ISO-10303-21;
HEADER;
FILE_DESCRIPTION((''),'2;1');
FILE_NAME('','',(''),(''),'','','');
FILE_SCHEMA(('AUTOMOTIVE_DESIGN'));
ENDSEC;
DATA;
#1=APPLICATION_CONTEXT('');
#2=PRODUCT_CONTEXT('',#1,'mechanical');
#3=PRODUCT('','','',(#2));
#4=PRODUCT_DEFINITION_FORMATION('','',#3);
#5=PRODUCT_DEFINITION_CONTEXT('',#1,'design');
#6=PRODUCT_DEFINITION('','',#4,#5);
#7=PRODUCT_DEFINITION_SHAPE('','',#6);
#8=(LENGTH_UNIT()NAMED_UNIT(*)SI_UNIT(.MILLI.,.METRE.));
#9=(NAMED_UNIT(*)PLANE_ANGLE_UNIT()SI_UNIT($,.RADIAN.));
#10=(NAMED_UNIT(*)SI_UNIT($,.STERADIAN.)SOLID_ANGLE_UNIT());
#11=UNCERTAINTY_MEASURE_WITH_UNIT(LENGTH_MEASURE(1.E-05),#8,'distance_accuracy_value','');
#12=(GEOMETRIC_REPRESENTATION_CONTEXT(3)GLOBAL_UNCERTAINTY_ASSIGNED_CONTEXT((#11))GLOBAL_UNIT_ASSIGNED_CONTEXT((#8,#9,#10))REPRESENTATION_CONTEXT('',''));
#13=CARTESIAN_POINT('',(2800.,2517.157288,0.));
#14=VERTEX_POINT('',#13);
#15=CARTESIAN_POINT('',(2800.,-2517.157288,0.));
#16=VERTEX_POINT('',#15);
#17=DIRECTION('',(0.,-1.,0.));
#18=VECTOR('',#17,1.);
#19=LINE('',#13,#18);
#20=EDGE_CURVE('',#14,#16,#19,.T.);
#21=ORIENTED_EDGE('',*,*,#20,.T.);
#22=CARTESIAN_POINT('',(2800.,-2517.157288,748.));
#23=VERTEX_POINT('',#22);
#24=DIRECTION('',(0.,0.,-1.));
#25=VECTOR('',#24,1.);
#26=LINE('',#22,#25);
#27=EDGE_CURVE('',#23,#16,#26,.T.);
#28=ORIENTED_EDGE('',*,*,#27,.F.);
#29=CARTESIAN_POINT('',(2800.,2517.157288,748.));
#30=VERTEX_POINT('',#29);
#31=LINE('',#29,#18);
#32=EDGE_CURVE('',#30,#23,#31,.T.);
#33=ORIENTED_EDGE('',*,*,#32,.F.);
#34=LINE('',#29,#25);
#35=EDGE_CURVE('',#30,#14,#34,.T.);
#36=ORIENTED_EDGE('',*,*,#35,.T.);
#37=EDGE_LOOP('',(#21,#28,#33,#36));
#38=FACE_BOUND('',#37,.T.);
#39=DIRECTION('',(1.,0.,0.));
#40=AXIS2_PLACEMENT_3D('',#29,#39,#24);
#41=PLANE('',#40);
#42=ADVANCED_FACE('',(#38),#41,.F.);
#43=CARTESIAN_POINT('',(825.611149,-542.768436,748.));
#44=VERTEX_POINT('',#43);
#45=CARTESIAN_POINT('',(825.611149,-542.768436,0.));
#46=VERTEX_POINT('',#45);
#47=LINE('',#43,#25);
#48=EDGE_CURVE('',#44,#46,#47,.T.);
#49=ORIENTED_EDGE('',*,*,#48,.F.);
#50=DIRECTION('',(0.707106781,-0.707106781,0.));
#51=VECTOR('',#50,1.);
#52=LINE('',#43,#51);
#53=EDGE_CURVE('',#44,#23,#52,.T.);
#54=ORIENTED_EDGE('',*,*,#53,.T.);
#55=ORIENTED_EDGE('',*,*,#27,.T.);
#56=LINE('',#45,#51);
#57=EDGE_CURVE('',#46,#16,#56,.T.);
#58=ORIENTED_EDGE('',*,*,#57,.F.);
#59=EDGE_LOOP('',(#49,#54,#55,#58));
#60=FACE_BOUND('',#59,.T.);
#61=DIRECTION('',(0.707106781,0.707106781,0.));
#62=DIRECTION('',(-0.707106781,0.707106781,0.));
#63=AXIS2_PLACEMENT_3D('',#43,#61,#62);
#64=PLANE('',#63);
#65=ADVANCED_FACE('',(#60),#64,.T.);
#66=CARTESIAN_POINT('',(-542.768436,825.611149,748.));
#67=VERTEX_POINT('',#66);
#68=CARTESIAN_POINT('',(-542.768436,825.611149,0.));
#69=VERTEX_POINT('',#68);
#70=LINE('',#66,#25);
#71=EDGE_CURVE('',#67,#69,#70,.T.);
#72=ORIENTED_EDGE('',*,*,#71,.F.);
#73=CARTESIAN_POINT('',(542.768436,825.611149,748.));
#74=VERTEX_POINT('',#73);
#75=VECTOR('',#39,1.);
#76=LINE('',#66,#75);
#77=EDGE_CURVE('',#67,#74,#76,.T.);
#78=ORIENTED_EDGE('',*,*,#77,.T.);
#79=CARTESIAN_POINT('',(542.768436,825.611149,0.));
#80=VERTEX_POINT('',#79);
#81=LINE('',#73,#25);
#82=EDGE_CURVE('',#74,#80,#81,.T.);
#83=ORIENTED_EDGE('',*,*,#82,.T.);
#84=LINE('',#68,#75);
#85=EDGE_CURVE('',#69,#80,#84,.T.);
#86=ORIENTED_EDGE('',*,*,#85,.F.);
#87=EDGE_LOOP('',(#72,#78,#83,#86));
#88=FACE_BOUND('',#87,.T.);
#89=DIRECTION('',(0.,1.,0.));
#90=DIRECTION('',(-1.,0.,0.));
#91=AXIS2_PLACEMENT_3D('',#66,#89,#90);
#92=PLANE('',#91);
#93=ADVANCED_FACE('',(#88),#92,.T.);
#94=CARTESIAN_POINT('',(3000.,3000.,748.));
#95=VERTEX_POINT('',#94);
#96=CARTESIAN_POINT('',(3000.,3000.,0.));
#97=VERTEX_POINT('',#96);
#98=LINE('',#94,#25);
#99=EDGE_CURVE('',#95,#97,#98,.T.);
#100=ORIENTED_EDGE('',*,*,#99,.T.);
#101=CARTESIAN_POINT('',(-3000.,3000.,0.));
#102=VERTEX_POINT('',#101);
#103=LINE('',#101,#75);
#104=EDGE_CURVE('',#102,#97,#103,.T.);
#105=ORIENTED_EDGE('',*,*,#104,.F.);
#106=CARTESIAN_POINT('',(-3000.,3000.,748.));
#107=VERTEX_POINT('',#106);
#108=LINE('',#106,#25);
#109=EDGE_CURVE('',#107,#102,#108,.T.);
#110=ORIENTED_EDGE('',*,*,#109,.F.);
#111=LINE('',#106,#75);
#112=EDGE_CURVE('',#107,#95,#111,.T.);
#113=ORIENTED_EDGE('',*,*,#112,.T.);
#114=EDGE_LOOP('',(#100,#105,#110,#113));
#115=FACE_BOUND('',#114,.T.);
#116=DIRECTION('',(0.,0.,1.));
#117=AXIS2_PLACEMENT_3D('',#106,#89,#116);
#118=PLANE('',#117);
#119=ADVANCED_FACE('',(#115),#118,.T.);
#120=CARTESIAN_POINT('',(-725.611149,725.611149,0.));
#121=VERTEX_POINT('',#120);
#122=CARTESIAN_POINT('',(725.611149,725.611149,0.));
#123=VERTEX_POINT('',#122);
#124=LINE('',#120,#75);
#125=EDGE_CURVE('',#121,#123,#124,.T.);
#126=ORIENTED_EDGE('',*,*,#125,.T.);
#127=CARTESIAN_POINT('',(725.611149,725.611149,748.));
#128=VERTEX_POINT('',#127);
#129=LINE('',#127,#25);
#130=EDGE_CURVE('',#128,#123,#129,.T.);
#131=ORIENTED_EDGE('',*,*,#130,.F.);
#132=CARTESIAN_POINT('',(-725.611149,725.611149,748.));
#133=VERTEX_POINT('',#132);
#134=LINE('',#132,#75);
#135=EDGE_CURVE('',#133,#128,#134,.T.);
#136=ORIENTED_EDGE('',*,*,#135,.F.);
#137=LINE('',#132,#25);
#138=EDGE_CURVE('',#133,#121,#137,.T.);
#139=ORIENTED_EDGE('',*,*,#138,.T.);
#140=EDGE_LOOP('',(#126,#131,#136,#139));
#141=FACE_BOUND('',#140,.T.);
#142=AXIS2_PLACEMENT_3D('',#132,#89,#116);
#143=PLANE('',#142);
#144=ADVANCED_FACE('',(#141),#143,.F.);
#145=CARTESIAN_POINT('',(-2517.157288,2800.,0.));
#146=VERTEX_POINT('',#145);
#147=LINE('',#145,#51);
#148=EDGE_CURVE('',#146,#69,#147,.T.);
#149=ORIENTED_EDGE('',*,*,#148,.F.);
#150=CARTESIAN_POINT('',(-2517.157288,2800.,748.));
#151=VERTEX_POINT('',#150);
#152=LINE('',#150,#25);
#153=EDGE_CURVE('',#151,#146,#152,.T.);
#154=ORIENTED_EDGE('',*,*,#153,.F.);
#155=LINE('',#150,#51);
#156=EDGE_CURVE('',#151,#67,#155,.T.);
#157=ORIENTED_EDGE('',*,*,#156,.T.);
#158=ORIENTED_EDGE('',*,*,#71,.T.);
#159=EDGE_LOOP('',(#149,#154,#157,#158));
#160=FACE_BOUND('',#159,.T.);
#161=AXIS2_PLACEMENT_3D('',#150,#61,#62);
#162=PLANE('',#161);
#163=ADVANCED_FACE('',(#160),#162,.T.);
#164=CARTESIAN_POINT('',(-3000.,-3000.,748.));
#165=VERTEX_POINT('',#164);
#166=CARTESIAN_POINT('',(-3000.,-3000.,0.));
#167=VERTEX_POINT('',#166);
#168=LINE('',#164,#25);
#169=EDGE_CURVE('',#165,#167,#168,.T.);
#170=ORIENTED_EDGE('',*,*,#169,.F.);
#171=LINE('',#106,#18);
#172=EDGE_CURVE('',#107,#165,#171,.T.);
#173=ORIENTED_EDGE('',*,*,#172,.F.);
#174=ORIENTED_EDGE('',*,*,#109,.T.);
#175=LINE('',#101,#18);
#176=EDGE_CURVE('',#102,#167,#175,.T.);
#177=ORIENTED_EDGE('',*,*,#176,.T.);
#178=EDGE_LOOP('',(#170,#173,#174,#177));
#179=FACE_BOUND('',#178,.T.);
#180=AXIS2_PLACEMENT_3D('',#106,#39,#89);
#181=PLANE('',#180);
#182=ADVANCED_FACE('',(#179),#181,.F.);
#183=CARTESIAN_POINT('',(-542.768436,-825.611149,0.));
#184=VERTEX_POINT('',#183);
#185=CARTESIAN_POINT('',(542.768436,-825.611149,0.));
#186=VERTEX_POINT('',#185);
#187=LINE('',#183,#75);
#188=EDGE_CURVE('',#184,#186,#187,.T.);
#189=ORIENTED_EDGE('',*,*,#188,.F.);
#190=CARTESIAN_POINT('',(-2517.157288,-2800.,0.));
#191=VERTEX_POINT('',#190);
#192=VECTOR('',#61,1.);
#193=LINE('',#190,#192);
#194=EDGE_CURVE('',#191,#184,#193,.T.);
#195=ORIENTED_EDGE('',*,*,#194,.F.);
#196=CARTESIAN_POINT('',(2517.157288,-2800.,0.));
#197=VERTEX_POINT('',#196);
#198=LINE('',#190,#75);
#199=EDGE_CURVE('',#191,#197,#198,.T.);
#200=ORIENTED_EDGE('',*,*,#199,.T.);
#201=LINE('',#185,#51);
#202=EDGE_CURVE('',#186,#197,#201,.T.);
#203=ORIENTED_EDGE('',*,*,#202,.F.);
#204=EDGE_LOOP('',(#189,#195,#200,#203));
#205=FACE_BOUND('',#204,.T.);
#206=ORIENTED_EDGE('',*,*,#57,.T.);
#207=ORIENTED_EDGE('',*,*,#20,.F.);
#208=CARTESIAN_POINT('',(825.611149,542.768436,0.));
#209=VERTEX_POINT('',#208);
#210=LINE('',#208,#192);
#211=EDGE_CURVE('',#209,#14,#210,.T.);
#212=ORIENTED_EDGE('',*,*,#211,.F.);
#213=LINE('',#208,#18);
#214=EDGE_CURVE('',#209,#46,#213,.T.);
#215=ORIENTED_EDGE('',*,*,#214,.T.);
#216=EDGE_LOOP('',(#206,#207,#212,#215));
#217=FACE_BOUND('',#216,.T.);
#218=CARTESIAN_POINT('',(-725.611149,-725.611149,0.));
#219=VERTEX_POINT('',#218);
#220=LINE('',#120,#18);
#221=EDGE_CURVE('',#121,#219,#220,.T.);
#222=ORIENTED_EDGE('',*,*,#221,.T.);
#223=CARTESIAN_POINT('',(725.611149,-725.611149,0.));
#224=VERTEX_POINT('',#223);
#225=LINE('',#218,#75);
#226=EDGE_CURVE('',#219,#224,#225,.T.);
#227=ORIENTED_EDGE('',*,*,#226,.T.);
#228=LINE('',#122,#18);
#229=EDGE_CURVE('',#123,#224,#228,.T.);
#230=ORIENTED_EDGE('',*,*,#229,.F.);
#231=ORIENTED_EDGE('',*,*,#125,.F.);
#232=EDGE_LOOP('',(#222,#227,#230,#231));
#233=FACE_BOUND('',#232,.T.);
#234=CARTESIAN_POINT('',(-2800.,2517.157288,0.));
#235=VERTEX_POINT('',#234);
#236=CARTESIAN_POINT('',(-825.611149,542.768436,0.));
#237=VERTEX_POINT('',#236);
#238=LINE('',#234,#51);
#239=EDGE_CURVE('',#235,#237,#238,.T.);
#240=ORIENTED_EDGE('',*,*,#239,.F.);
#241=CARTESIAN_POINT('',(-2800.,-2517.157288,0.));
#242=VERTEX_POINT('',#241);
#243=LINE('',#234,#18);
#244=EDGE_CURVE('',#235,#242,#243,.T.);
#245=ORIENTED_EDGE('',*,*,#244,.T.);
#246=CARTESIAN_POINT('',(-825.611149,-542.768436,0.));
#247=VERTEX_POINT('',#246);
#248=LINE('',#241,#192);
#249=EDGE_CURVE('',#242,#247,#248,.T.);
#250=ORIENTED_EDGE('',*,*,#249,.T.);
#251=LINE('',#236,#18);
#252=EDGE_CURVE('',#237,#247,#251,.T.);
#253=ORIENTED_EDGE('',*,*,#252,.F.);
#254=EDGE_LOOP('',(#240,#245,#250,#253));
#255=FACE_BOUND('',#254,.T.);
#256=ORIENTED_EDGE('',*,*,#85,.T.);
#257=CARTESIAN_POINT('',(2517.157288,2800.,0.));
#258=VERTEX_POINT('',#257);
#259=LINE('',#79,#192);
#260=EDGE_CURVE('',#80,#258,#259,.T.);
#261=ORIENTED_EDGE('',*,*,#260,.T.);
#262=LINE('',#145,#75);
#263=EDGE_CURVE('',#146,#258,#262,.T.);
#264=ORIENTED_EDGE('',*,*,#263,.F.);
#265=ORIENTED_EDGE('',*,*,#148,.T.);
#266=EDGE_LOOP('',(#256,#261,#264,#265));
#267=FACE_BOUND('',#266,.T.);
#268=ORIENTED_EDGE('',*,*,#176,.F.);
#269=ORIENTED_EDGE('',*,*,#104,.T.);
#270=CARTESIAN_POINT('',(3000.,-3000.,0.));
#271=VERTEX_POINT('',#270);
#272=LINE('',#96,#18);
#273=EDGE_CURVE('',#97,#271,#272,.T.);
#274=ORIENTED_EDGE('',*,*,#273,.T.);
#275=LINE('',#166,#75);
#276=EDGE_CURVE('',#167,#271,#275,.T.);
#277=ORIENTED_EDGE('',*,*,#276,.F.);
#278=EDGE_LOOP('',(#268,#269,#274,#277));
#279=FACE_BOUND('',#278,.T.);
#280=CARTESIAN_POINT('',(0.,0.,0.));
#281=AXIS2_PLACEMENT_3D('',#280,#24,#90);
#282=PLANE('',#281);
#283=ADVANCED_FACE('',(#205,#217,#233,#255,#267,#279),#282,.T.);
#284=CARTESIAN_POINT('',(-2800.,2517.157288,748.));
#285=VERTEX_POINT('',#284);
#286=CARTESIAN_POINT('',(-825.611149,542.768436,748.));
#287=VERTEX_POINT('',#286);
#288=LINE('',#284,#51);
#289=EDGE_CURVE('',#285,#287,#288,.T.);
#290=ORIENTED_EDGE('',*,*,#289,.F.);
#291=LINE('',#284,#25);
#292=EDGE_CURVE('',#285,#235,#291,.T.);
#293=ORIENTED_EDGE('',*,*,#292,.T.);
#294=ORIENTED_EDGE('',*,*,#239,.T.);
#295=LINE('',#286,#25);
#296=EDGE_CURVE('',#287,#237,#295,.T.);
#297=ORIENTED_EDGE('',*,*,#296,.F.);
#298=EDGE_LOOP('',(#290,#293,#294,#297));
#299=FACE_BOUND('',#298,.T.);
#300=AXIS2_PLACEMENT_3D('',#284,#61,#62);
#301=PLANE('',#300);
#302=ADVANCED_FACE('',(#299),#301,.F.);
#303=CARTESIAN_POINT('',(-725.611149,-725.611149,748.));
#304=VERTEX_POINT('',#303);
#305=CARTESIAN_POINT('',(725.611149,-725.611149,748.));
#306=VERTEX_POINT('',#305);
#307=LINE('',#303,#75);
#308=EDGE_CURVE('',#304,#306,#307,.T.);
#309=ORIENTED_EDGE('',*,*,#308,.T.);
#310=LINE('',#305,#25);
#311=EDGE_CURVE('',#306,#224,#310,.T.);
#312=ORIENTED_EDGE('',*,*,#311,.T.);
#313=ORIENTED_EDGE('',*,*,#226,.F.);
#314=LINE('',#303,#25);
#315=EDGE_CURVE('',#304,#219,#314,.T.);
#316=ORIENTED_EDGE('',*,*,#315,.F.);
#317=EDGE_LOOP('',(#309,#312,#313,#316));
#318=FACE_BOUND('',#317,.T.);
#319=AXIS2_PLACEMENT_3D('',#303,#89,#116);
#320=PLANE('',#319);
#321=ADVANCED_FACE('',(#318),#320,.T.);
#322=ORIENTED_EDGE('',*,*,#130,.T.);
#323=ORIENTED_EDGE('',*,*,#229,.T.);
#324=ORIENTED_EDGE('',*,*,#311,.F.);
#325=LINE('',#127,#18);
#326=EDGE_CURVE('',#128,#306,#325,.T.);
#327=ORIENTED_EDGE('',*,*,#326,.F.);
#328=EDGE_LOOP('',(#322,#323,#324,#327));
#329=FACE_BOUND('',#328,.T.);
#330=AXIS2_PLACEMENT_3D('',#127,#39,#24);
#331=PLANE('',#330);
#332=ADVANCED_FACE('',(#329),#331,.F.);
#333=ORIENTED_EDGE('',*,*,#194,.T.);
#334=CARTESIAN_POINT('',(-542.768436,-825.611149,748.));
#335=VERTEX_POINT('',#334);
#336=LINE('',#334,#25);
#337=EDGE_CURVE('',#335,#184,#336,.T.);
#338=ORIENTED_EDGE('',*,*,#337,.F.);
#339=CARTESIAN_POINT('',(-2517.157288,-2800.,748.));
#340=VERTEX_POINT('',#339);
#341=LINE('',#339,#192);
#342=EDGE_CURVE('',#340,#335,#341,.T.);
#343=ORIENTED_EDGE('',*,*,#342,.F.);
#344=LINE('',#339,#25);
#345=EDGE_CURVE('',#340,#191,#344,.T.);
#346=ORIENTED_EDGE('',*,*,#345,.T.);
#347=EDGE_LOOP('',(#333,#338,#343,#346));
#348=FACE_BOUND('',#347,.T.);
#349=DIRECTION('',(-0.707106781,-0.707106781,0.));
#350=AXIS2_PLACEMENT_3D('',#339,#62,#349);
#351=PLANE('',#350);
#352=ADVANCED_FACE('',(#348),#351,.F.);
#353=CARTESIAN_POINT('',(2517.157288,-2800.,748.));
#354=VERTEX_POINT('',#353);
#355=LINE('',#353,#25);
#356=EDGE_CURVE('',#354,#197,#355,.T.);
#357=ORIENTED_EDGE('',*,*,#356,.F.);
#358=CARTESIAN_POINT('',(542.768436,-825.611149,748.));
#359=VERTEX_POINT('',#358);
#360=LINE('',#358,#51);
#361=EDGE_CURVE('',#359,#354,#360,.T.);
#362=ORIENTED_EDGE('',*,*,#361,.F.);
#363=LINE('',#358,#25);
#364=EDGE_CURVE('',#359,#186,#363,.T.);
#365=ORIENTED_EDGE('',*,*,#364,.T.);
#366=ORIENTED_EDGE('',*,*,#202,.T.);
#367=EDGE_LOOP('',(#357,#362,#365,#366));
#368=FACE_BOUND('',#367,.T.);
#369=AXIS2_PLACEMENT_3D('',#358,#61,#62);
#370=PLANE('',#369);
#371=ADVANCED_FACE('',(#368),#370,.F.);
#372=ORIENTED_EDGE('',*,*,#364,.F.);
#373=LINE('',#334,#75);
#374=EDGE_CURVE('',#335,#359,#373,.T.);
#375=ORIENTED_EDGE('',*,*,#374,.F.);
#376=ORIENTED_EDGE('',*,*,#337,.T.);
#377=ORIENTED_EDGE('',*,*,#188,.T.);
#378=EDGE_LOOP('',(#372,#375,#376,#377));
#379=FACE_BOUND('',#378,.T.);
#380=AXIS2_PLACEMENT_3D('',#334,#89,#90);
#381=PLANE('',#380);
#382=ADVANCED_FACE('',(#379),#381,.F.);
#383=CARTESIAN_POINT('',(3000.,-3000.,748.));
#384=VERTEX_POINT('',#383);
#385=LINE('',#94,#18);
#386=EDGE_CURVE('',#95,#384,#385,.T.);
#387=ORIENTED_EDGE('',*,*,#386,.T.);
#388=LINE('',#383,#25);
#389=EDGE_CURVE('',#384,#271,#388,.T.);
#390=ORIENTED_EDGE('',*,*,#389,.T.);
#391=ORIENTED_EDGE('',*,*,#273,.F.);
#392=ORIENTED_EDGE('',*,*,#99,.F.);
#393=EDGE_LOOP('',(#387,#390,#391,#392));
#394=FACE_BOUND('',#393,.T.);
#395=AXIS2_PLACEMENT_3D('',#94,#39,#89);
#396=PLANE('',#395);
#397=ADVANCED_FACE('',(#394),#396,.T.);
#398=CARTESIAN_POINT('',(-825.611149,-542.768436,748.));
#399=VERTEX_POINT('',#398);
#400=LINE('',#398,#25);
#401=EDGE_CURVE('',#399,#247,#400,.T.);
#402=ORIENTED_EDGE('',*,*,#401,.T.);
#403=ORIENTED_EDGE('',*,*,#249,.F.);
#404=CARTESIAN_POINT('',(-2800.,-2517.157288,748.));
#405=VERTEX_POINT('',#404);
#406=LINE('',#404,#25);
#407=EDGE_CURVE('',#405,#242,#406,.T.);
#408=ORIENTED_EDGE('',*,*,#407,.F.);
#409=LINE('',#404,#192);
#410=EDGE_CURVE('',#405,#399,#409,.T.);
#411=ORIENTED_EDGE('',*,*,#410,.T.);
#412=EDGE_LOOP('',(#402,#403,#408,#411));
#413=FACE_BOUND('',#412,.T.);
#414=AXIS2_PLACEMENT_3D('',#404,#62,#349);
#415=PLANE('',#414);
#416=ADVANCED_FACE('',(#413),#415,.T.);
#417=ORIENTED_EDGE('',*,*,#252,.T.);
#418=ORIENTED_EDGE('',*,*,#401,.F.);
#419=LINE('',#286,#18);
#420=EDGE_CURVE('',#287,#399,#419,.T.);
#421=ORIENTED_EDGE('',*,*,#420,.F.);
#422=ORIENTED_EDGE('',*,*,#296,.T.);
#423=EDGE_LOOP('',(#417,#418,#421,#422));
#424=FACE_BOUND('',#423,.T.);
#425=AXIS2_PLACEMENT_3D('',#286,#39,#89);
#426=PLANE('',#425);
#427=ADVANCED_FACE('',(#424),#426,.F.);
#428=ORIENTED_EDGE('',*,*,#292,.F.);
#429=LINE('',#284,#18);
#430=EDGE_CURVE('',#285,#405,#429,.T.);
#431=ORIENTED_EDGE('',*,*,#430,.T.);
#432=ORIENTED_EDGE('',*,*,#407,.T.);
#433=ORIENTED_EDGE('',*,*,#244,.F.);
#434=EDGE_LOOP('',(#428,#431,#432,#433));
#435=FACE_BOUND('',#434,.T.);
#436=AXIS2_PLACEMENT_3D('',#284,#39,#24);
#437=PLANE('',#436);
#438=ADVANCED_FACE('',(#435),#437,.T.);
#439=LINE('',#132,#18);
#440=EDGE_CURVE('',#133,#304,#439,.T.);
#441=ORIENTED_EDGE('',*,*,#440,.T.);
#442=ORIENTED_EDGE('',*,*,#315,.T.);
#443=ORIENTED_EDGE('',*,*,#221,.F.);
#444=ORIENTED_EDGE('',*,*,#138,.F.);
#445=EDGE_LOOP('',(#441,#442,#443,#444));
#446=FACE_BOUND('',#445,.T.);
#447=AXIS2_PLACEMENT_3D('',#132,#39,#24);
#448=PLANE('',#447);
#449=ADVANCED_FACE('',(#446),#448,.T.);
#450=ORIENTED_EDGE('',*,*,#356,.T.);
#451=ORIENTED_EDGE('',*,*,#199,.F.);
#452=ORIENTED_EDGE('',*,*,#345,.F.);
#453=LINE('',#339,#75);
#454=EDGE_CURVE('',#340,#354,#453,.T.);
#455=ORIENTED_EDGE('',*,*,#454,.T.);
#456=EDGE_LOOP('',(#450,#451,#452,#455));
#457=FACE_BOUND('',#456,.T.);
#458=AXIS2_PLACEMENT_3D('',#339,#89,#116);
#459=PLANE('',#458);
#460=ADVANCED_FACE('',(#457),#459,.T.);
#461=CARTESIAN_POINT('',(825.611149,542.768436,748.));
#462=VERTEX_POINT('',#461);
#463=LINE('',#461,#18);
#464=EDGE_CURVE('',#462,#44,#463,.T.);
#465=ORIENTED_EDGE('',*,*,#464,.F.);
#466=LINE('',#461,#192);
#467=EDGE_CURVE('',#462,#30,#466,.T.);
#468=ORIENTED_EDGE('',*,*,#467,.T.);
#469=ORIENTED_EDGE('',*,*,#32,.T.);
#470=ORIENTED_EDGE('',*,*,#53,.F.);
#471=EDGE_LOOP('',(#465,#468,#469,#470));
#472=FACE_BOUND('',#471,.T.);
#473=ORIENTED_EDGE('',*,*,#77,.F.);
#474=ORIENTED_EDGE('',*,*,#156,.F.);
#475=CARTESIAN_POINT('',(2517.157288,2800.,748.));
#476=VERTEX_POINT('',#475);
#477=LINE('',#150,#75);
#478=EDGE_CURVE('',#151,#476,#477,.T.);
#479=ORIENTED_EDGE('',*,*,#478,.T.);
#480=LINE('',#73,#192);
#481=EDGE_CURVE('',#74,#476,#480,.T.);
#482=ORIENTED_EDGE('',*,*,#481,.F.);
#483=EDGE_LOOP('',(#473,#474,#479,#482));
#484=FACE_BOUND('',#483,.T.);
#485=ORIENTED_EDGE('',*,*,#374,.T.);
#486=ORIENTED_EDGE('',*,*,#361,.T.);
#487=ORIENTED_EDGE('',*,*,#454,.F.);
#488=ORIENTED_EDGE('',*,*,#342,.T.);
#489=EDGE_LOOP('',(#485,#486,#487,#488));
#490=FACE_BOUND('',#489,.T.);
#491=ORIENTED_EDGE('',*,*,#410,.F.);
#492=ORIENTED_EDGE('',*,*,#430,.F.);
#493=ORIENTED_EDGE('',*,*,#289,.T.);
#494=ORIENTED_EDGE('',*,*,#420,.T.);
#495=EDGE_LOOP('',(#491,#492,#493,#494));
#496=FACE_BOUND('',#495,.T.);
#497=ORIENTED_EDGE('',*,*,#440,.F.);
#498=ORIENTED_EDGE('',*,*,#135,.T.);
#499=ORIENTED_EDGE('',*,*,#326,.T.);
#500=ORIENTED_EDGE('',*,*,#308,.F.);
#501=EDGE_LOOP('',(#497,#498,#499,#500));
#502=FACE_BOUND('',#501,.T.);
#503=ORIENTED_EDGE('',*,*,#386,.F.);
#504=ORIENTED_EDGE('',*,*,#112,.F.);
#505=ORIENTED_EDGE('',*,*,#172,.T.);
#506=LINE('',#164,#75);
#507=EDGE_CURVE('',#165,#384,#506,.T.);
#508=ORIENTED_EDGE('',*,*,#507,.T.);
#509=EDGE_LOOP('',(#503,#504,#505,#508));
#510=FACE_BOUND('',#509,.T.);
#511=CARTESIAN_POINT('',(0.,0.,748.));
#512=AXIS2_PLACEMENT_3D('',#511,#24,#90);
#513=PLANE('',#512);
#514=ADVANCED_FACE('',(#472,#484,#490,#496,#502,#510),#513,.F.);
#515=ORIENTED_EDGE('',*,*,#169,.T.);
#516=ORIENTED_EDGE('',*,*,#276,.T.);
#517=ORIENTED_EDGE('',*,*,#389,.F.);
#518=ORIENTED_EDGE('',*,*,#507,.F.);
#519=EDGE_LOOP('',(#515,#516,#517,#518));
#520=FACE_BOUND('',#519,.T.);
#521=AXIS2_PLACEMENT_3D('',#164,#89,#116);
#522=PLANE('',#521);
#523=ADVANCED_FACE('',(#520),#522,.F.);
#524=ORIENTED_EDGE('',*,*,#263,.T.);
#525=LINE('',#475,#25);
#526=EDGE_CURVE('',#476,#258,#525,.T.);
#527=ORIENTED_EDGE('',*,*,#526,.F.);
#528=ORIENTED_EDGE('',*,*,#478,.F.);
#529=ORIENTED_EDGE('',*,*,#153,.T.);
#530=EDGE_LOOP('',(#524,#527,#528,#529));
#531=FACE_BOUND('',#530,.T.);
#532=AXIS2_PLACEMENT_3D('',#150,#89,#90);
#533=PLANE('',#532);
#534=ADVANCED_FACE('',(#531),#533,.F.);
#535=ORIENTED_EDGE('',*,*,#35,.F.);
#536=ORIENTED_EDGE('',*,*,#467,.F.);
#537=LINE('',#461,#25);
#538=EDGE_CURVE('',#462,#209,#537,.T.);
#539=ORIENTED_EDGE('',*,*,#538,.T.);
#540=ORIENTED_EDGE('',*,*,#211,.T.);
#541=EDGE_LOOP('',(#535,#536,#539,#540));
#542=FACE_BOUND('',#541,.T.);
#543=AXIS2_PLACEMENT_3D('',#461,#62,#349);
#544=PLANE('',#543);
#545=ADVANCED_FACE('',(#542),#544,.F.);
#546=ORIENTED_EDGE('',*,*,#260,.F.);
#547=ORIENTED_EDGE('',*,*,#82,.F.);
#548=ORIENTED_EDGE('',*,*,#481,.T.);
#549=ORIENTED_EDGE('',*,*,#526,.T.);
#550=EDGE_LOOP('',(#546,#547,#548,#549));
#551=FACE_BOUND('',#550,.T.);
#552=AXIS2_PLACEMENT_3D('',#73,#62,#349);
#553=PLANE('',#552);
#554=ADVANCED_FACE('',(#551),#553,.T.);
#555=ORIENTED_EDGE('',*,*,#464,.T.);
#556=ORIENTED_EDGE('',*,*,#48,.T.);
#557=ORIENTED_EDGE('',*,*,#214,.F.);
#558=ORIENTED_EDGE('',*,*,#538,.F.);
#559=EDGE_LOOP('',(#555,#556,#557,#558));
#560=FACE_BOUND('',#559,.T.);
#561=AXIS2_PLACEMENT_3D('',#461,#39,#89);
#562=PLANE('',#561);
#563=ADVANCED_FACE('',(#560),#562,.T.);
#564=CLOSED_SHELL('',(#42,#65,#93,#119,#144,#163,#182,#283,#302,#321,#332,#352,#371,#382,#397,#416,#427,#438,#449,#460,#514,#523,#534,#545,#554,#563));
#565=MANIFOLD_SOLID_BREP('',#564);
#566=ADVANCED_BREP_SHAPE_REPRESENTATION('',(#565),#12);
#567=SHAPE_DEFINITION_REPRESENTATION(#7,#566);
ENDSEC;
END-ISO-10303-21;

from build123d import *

# Parameters (mm, degrees)
SKETCH1_W           = 6000
SKETCH1_H           = 6000
SKETCH1_W_2         = 1451.222297848
SKETCH1_H_2         = 1451.222297848
BOSS_EXTRUDE1_DEPTH = 748


with BuildPart() as part:
    # Sketch1 → Boss-Extrude1 (new body)
    with BuildSketch(Plane.XY):
        Rectangle(SKETCH1_W, SKETCH1_H)
        Polygon((-2517.157287525, 2800), (2517.157287525, 2800), (542.768436449, 825.611148924), (-542.768436449, 825.611148924), align=None, mode=Mode.SUBTRACT)
        Polygon((2800, 2517.157287525), (2800, -2517.157287525), (825.611148924, -542.768436449), (825.611148924, 542.768436449), align=None, mode=Mode.SUBTRACT)
        Polygon((-2517.157287525, -2800), (2517.157287525, -2800), (542.768436449, -825.611148924), (-542.768436449, -825.611148924), align=None, mode=Mode.SUBTRACT)
        Polygon((-2800, 2517.157287525), (-2800, -2517.157287525), (-825.611148924, -542.768436449), (-825.611148924, 542.768436449), align=None, mode=Mode.SUBTRACT)
        Rectangle(SKETCH1_W_2, SKETCH1_H_2, mode=Mode.SUBTRACT)
    extrude(amount=BOSS_EXTRUDE1_DEPTH)


solid = part.part
